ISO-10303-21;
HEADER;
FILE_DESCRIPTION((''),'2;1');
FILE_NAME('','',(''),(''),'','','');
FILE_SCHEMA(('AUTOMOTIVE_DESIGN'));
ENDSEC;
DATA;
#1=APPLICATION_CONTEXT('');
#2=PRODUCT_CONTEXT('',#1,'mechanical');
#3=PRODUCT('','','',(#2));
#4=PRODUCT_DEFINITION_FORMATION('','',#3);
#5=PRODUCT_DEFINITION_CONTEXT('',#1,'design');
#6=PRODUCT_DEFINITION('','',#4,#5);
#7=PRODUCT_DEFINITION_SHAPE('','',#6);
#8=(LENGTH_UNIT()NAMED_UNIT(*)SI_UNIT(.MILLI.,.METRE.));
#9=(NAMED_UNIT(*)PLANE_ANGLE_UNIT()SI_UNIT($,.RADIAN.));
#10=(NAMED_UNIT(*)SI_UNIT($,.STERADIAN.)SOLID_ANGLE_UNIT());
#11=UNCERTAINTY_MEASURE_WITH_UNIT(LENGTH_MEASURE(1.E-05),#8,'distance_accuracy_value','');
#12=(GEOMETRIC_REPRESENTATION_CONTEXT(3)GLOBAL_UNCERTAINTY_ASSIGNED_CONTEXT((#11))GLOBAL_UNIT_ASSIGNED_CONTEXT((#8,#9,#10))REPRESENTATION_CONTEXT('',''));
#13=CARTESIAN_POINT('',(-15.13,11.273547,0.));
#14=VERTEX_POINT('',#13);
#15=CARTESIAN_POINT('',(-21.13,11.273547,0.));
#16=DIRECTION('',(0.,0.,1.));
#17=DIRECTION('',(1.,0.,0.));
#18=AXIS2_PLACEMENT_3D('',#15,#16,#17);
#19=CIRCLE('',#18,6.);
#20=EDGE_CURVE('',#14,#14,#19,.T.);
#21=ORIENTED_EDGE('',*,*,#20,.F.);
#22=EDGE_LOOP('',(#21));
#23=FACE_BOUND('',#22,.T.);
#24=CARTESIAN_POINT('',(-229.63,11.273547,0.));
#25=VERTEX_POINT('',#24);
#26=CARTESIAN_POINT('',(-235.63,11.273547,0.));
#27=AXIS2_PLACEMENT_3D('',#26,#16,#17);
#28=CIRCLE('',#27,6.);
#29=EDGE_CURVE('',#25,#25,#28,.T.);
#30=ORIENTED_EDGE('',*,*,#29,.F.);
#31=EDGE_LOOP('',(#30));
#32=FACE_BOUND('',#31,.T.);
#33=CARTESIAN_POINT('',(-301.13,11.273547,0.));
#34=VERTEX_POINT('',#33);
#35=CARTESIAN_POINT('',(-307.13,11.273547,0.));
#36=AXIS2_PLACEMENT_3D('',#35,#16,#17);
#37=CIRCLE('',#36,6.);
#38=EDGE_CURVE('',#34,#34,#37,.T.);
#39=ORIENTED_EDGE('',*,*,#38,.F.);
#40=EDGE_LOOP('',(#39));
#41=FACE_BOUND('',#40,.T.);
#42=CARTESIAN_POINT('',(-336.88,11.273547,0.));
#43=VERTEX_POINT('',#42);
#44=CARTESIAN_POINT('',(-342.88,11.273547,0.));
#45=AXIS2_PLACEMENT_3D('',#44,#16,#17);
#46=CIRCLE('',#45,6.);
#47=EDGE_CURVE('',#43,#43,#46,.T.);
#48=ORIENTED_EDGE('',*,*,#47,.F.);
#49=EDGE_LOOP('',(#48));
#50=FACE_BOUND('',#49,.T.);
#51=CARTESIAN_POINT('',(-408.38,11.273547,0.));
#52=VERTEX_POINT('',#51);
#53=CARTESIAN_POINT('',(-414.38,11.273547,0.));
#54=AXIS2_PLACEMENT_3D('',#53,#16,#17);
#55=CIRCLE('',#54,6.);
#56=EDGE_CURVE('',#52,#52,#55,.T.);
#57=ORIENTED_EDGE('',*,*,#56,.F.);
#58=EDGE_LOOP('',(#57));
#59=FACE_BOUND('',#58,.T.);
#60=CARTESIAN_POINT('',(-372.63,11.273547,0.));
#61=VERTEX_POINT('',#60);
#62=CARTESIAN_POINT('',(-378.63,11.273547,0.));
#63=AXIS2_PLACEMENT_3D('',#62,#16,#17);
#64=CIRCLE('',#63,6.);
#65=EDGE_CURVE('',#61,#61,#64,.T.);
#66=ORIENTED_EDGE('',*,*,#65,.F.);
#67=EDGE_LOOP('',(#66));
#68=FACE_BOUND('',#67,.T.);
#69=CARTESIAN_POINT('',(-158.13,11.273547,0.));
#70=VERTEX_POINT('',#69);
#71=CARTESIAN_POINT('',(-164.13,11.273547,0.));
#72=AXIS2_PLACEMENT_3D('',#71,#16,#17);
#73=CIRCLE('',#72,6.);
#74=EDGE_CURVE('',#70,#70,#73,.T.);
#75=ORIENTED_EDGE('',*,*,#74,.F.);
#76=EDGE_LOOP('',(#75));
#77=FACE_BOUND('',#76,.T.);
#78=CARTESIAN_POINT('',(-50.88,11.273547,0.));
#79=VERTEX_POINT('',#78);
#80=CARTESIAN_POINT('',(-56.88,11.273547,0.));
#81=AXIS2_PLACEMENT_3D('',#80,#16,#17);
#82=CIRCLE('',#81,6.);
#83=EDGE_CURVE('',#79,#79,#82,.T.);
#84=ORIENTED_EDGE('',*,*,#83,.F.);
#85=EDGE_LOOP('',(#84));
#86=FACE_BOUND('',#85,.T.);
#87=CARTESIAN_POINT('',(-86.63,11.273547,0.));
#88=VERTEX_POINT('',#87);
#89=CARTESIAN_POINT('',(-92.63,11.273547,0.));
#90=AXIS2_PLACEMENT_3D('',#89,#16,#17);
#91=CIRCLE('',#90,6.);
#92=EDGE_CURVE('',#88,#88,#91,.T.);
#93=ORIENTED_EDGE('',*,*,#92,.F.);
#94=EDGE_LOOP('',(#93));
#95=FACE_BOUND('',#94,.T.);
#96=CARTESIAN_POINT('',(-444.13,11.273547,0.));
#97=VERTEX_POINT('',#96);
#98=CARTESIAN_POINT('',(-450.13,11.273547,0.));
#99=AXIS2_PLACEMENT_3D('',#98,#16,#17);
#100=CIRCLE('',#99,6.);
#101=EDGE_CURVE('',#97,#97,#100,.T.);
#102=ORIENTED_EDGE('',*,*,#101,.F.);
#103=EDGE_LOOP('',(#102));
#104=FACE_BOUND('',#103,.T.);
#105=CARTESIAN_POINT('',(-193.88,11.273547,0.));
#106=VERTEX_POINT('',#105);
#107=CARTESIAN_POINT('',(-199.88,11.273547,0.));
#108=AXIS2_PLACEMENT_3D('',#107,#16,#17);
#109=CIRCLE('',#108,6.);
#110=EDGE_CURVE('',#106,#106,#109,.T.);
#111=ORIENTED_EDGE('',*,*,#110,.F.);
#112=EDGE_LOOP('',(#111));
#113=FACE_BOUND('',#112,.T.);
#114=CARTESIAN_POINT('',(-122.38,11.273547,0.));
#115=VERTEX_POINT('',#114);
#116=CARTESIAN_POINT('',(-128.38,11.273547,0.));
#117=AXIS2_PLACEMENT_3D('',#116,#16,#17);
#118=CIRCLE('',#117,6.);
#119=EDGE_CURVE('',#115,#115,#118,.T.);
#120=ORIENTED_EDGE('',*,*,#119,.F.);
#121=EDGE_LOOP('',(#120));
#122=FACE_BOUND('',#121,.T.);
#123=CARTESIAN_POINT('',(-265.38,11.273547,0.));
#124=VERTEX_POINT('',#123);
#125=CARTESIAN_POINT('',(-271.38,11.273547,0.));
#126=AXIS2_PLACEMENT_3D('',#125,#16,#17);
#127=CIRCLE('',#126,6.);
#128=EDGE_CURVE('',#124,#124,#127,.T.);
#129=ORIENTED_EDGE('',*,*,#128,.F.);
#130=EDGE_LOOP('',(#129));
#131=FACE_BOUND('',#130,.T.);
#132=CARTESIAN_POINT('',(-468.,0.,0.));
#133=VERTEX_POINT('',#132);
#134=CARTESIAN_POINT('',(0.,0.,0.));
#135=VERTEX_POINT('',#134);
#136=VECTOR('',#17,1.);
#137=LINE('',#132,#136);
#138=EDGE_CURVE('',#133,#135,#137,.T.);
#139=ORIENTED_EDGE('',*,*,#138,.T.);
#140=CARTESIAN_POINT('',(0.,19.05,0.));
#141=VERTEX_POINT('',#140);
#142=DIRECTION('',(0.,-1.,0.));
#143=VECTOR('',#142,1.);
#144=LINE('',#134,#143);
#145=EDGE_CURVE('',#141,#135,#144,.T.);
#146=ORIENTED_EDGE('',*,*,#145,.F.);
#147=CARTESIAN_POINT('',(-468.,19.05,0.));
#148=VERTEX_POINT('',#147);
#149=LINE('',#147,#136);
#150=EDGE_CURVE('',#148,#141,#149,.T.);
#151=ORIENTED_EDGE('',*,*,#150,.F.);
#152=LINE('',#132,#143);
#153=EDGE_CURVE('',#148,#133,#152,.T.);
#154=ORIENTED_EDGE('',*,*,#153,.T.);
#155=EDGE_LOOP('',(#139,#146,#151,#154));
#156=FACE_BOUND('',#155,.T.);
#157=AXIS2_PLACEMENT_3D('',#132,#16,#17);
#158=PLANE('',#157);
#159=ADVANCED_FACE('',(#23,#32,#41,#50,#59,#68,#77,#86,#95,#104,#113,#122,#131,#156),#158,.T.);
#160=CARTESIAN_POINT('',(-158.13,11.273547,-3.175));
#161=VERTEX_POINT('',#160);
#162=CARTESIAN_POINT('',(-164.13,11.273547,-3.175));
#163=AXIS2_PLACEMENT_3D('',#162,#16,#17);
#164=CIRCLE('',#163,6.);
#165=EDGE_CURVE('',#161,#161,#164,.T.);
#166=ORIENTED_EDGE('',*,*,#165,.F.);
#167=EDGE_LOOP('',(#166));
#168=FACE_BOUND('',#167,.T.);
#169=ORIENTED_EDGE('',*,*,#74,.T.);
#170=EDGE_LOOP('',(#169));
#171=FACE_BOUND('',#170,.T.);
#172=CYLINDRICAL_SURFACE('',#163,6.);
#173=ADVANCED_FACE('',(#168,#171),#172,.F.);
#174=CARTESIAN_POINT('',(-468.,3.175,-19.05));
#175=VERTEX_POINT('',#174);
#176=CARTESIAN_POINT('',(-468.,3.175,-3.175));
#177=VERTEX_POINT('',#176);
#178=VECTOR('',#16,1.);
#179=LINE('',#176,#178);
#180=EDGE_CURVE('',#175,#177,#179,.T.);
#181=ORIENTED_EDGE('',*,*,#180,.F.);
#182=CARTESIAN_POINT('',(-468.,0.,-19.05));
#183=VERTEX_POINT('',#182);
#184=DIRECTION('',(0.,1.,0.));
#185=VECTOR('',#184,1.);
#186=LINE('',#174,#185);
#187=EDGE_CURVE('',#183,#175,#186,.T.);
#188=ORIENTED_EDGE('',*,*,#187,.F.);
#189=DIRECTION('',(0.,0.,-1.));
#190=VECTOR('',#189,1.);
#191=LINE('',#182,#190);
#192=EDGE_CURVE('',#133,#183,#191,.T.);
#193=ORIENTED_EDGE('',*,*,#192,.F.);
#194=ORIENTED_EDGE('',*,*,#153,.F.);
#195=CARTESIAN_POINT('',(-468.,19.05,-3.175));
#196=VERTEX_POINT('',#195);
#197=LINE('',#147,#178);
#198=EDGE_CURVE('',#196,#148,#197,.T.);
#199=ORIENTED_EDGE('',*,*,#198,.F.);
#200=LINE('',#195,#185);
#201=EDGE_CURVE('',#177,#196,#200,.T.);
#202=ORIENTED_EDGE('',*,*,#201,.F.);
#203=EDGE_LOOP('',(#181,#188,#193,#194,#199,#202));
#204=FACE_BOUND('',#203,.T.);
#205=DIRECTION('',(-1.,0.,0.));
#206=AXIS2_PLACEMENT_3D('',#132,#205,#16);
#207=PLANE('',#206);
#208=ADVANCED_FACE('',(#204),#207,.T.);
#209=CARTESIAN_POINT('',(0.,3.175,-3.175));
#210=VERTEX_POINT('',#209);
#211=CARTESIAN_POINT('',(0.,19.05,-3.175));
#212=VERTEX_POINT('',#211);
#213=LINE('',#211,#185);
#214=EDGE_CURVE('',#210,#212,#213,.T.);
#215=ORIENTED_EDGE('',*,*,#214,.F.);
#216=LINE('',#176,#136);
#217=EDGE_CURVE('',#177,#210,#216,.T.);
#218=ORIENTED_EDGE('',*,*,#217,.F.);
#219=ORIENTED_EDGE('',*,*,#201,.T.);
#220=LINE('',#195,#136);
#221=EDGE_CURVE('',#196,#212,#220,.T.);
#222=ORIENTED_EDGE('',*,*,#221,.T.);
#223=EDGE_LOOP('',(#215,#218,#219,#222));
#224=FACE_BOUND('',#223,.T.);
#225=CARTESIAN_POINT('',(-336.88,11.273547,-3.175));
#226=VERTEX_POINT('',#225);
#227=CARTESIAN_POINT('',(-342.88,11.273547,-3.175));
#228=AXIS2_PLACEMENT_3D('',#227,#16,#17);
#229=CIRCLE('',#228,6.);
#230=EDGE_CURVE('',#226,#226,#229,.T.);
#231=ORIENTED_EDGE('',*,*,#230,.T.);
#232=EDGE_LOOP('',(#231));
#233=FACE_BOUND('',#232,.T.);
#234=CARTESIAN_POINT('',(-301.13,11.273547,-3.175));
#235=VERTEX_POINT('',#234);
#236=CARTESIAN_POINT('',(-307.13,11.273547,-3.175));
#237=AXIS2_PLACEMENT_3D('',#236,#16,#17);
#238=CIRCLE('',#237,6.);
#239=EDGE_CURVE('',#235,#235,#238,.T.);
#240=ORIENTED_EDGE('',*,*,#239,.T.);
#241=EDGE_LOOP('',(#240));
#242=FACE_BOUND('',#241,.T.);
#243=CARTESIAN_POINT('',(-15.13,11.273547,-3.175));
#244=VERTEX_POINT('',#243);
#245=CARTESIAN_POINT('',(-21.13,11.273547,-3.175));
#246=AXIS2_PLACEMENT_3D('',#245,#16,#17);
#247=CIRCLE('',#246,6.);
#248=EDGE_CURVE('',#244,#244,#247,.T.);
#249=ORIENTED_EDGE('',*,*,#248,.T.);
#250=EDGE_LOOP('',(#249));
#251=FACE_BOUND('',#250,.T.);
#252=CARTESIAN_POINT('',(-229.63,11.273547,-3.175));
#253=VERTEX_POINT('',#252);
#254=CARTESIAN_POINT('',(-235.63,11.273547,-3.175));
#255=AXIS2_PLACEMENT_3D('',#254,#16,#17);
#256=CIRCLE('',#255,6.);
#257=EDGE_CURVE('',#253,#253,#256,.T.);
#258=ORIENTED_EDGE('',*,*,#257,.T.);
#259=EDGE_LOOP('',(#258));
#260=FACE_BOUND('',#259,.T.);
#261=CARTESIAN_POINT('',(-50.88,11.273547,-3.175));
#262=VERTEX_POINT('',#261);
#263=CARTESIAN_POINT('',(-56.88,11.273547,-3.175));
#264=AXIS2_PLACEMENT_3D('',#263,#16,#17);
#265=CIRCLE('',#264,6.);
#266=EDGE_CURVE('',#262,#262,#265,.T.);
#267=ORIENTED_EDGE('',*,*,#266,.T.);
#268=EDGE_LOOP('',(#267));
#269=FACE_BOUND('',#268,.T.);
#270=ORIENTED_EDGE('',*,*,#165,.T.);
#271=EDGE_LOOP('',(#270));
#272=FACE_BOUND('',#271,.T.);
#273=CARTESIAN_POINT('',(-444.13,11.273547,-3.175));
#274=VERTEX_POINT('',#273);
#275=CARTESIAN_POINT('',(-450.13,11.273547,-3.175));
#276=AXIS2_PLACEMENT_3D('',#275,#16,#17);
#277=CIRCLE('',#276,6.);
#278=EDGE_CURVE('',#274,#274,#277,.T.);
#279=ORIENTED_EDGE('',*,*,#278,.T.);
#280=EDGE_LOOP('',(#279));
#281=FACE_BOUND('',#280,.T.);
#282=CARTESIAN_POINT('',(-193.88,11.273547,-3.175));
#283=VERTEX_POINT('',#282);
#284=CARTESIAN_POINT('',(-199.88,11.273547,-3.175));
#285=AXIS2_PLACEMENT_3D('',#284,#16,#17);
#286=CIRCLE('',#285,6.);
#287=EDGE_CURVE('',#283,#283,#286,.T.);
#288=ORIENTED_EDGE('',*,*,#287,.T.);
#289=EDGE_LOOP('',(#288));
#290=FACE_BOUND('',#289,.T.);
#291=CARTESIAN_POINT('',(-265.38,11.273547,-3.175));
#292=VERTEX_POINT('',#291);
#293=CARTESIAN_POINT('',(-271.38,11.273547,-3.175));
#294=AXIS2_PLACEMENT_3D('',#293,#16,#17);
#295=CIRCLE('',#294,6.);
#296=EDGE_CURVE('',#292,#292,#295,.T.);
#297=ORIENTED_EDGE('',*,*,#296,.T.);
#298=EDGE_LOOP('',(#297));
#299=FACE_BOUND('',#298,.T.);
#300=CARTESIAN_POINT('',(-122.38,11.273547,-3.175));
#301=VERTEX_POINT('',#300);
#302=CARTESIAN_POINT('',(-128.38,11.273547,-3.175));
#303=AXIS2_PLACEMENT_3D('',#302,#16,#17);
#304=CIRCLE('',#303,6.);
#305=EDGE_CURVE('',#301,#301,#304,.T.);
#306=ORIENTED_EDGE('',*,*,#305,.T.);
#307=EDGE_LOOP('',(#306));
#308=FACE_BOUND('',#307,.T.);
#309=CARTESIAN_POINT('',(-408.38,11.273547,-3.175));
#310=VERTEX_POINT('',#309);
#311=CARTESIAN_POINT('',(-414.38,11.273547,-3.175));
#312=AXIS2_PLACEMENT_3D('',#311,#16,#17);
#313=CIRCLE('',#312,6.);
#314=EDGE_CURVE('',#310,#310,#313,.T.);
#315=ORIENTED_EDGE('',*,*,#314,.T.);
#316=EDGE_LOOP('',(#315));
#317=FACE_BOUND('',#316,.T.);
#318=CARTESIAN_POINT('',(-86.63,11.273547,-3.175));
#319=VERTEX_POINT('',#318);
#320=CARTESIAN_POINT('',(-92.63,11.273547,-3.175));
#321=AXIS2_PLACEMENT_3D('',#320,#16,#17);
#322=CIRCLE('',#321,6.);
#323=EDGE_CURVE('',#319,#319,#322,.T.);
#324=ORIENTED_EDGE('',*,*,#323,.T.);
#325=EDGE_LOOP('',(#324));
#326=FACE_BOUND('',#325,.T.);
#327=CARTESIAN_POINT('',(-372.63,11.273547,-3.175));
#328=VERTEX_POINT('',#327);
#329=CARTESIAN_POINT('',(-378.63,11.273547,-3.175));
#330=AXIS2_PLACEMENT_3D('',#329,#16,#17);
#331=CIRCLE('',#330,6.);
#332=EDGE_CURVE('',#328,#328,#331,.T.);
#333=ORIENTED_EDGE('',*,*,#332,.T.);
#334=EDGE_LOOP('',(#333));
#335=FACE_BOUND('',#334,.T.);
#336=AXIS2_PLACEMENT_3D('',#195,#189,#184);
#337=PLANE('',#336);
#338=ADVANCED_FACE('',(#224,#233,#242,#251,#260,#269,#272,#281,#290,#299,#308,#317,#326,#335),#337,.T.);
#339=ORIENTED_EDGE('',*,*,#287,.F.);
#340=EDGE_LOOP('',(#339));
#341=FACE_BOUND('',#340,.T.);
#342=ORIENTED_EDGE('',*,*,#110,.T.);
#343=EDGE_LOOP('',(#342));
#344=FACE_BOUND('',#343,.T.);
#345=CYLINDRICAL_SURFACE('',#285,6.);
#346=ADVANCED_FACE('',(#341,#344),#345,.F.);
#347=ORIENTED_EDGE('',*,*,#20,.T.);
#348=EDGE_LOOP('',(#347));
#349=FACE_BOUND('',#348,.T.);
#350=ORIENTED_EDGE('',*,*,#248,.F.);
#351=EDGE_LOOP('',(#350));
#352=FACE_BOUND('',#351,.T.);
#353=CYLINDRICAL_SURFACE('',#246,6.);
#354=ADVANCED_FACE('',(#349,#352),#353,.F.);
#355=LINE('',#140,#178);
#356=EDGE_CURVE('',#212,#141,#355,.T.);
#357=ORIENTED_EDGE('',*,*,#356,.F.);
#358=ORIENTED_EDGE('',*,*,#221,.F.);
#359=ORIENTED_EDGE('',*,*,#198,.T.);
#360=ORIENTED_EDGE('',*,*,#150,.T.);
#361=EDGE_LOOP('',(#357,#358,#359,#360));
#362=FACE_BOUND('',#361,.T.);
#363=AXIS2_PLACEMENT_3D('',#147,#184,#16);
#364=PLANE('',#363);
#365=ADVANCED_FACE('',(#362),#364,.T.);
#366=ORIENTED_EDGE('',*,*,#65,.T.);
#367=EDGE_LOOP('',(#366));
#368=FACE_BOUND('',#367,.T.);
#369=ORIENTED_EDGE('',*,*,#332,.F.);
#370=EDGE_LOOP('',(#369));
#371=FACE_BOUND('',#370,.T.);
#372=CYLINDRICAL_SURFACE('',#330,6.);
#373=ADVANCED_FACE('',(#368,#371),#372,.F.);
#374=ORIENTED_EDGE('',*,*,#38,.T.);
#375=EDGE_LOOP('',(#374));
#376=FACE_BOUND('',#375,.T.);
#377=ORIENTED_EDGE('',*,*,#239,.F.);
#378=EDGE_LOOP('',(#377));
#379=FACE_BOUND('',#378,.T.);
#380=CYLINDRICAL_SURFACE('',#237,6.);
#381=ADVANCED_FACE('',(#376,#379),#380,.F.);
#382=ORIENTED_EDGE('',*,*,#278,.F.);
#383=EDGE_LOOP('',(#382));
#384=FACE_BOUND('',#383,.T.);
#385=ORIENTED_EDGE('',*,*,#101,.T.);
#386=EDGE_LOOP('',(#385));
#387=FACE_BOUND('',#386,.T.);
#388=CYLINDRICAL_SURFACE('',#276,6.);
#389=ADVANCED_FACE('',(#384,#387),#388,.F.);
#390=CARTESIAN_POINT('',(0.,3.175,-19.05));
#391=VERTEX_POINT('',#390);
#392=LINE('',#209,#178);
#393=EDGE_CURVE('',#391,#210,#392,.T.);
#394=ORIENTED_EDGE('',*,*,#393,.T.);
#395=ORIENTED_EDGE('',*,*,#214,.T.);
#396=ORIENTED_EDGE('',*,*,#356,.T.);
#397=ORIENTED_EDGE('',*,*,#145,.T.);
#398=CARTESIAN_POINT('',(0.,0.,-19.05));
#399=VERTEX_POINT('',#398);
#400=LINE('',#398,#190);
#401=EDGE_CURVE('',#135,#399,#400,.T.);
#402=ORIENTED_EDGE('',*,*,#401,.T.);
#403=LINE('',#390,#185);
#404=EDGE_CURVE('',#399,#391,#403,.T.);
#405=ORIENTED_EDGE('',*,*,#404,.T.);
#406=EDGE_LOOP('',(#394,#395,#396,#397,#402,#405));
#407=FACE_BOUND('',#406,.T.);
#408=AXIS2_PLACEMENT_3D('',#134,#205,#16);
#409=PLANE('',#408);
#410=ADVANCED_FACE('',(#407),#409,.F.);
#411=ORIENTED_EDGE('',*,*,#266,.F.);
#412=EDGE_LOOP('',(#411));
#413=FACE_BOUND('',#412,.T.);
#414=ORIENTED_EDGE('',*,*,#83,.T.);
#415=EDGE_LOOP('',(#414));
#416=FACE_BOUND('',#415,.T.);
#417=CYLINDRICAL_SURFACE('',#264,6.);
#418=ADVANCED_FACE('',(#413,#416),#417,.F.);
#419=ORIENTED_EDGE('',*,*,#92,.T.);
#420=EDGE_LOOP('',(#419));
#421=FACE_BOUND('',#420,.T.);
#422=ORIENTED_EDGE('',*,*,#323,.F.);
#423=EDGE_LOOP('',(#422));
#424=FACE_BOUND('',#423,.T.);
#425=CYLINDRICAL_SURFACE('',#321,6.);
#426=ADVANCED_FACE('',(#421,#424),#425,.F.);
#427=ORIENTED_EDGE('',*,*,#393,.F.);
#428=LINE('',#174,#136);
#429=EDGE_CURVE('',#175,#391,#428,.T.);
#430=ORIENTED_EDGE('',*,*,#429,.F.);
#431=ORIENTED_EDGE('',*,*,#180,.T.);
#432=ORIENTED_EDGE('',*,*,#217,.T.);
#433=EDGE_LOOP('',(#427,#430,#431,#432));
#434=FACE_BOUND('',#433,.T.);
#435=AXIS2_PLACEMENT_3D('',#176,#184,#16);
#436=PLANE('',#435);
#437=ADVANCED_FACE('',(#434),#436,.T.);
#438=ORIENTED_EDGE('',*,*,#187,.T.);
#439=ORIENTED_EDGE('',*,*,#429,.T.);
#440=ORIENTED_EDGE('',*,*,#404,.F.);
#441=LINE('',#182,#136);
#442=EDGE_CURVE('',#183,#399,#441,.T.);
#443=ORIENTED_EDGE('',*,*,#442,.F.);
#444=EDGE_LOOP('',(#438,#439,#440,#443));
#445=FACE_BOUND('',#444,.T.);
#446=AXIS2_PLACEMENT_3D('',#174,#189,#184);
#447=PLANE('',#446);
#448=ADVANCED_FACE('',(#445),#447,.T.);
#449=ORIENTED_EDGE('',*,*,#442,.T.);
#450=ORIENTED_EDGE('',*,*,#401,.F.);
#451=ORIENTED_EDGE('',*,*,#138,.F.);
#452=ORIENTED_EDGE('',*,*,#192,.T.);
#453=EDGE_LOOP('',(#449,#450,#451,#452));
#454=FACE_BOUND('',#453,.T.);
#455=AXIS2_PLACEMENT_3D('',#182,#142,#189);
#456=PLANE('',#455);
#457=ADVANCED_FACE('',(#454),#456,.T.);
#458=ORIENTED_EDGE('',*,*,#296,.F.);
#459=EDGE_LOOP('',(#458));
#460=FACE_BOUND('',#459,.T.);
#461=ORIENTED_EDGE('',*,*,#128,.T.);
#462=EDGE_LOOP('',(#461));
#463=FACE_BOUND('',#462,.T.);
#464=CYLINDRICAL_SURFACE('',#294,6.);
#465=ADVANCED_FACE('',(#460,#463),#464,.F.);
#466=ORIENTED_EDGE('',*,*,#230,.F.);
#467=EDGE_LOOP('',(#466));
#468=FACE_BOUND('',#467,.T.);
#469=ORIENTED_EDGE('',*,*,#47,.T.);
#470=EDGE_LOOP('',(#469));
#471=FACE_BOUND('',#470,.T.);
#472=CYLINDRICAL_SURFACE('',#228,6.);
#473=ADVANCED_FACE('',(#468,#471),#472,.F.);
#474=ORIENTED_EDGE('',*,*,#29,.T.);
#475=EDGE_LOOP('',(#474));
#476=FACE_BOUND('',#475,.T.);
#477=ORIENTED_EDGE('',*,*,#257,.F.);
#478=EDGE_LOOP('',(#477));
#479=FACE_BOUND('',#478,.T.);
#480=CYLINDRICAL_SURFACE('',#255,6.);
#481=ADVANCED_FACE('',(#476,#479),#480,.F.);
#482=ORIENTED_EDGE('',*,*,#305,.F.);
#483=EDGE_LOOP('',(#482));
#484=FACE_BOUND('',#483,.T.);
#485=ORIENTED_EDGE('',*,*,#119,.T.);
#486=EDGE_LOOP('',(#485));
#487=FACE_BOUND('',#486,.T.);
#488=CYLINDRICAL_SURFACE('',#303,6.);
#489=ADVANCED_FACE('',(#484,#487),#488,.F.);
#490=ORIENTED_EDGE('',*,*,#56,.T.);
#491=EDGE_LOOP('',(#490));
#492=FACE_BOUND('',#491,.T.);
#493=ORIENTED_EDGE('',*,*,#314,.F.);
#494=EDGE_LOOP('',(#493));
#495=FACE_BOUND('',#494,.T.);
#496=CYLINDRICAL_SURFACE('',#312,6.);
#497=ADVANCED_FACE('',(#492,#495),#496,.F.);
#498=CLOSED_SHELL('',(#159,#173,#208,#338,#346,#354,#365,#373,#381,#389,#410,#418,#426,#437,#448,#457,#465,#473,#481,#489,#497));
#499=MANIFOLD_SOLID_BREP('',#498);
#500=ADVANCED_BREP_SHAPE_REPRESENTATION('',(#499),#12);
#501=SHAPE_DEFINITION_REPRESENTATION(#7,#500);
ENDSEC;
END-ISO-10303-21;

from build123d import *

# Parameters (mm, degrees)
BOSS_EXTRUDE1_DEPTH = 468
SKETCH2_R           = 6
CUT_EXTRUDE1_DEPTH  = 3.175


with BuildPart() as part:
    # Sketch1 → Boss-Extrude1 (new body)
    with BuildSketch(Plane(origin=(0, 0, 0), x_dir=(0, 0, -1), z_dir=(1, 0, 0))):
        Polygon((0, 0), (0, 19.05), (3.175, 19.05), (3.175, 3.175), (19.05, 3.175), (19.05, 0), align=None)
    extrude(amount=-BOSS_EXTRUDE1_DEPTH)

    # Sketch2 → Cut-Extrude1 (cut)
    with BuildSketch(Plane.XY):
        with Locations((-450.13, 11.273546723)):
            Circle(SKETCH2_R)
        with Locations((-414.38, 11.273546723)):
            Circle(SKETCH2_R)
        with Locations((-378.63, 11.273546723)):
            Circle(SKETCH2_R)
        with Locations((-342.88, 11.273546723)):
            Circle(SKETCH2_R)
        with Locations((-307.13, 11.273546723)):
            Circle(SKETCH2_R)
        with Locations((-271.38, 11.273546723)):
            Circle(SKETCH2_R)
        with Locations((-235.63, 11.273546723)):
            Circle(SKETCH2_R)
        with Locations((-199.88, 11.273546723)):
            Circle(SKETCH2_R)
        with Locations((-164.13, 11.273546723)):
            Circle(SKETCH2_R)
        with Locations((-128.38, 11.273546723)):
            Circle(SKETCH2_R)
        with Locations((-92.63, 11.273546723)):
            Circle(SKETCH2_R)
        with Locations((-56.88, 11.273546723)):
            Circle(SKETCH2_R)
        with Locations((-21.13, 11.273546723)):
            Circle(SKETCH2_R)
    extrude(amount=-CUT_EXTRUDE1_DEPTH, mode=Mode.SUBTRACT)


solid = part.part
